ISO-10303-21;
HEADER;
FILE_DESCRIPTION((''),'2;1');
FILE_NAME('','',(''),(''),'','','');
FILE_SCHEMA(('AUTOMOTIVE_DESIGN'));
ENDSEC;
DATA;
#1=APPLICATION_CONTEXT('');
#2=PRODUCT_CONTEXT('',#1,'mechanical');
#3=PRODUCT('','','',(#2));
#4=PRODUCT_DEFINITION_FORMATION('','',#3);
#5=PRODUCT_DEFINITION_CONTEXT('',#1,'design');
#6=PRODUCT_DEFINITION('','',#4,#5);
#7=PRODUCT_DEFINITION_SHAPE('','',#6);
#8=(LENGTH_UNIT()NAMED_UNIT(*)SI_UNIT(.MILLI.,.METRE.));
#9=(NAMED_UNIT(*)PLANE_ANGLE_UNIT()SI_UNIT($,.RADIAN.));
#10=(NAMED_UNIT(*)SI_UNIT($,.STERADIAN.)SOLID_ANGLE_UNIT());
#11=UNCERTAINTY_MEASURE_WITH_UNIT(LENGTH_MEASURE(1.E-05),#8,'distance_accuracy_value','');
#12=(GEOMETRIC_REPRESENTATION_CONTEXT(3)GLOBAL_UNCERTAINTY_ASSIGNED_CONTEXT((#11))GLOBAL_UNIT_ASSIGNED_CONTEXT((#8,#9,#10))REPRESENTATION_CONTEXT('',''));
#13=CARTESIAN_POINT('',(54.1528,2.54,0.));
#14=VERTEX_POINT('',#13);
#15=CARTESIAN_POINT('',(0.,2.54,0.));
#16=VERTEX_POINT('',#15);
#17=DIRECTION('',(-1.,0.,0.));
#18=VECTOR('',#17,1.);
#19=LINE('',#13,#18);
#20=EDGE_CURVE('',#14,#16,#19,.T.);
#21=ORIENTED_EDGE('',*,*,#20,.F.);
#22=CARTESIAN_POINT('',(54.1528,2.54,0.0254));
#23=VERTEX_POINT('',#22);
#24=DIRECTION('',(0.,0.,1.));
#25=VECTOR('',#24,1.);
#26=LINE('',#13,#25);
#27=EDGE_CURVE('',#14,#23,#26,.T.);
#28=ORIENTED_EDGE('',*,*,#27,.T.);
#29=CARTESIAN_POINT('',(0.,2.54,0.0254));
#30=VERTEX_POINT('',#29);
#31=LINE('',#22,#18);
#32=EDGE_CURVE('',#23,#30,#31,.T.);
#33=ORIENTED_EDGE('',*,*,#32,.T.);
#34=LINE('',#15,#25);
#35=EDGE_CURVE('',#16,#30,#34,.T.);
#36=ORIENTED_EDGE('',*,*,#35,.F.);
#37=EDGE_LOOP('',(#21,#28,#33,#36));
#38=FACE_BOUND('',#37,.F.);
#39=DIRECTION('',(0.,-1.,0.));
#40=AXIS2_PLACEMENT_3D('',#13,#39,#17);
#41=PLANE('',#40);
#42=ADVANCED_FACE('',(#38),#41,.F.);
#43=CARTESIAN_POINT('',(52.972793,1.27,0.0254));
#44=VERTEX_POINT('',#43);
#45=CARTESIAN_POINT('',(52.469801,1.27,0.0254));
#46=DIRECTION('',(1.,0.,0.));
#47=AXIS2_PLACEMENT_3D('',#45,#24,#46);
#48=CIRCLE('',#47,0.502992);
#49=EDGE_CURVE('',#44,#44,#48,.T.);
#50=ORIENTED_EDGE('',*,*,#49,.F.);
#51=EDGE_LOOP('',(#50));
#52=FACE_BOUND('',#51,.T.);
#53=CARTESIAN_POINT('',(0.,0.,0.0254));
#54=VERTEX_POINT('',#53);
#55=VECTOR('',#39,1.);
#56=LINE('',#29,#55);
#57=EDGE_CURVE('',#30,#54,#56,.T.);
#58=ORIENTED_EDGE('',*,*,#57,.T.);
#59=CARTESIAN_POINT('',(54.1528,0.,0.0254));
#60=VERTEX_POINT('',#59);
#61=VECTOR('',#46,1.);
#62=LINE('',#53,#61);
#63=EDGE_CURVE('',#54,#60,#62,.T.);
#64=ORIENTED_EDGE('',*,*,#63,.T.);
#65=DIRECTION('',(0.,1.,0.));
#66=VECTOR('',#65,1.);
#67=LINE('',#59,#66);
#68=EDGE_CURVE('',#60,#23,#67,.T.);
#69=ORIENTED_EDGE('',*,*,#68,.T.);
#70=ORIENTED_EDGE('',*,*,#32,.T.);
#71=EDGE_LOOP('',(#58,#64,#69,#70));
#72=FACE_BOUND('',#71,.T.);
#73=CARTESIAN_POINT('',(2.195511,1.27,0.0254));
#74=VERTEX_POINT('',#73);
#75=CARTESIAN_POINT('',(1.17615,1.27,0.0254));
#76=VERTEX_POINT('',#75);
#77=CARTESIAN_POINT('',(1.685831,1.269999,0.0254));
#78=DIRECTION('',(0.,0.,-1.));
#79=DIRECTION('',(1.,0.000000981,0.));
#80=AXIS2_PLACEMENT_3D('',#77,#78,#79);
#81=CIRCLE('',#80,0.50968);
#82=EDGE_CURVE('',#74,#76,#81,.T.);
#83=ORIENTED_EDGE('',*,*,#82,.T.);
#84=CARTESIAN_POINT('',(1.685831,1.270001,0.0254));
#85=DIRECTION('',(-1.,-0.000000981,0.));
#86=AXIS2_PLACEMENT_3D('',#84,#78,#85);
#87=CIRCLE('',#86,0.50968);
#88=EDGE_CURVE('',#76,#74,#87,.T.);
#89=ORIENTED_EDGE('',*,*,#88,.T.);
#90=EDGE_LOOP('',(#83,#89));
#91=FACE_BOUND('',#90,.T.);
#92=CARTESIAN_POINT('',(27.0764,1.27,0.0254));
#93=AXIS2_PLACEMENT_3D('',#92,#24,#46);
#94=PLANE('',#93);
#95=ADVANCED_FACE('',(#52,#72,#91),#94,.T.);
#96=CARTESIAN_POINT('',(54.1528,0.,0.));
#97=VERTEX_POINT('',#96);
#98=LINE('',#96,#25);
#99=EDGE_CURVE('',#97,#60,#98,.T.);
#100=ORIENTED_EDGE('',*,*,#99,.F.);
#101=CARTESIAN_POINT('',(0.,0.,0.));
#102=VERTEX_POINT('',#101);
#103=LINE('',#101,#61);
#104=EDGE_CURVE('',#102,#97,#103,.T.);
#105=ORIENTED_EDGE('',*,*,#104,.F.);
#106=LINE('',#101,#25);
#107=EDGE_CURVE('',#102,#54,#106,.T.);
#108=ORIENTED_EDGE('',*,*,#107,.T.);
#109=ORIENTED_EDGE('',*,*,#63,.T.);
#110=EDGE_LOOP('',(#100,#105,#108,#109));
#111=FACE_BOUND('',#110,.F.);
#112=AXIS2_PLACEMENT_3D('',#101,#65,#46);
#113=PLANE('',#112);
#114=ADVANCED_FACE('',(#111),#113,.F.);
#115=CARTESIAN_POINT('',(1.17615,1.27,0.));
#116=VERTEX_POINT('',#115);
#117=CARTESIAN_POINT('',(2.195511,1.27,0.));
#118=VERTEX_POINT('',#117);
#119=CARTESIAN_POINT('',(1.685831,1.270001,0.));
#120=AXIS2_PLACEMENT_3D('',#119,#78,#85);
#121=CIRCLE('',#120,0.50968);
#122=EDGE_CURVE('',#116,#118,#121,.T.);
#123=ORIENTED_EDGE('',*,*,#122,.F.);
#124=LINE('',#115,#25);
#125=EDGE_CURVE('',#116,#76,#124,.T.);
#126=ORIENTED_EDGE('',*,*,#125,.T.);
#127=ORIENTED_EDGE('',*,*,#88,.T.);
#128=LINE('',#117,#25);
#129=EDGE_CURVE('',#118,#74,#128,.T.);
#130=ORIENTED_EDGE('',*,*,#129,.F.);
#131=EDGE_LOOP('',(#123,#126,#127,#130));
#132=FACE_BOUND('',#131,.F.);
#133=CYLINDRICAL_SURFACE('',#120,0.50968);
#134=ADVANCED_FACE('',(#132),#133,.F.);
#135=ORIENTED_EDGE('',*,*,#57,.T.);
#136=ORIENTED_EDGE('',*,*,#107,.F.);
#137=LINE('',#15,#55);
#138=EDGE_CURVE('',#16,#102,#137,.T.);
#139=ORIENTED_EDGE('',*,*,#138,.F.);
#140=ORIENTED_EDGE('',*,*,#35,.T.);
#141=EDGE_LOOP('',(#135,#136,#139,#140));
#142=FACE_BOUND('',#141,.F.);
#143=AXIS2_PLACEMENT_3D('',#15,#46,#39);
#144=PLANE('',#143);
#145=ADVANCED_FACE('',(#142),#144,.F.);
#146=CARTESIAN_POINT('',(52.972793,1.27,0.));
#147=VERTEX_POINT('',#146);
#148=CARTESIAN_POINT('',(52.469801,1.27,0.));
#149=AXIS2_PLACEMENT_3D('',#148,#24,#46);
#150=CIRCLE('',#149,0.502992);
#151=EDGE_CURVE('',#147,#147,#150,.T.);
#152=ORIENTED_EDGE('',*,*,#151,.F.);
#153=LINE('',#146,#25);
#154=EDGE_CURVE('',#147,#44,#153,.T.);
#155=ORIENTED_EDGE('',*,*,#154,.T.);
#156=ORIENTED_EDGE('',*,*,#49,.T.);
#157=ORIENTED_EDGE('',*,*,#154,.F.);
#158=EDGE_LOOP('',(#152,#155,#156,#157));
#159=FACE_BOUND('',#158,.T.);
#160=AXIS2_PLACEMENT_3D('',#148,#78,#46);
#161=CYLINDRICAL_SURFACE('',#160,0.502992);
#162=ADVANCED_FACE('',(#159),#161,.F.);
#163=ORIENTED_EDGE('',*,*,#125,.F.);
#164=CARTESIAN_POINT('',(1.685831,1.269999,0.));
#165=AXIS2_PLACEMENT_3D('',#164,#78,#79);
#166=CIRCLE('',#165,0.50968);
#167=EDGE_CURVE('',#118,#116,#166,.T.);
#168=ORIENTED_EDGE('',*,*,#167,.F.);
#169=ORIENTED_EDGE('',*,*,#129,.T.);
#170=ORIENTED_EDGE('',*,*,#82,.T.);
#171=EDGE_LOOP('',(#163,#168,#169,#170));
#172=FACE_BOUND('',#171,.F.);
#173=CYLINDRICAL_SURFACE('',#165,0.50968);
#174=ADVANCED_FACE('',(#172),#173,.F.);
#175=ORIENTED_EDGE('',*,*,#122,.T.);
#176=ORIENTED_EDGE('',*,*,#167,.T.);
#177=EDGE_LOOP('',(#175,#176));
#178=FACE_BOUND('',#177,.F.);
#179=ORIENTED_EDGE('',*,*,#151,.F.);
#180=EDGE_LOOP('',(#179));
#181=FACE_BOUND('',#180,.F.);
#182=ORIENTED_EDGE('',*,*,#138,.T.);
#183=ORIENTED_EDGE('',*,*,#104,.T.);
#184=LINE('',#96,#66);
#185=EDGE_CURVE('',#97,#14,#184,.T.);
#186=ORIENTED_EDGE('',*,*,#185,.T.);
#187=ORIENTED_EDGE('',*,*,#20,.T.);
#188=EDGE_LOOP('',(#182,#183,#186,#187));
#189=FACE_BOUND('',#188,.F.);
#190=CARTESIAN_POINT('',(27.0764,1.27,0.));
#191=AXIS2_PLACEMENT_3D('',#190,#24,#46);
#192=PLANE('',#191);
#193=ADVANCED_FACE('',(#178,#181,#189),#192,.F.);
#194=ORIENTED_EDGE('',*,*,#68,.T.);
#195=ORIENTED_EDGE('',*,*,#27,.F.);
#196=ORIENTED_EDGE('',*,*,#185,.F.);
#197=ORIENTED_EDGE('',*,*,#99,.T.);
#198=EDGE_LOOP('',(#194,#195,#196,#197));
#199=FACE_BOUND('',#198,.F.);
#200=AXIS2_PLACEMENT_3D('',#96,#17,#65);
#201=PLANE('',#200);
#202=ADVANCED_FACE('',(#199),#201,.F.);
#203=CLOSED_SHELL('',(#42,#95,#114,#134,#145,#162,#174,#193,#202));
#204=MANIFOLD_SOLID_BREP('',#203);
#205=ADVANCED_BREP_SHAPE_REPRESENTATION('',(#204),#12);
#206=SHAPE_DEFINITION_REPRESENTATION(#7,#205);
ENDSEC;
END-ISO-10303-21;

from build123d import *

# Parameters (mm, degrees)
F0_R     = 0.502992
F1_DEPTH = 0.0254


with BuildPart() as f1:
    # F0 (on Top) → F1 (new body)
    with BuildSketch(Plane.XY):
        Polygon((0, 1.27), (0, 0), (54.1528, 0), (54.1528, 1.27), (54.1528, 2.54), (0, 2.54), align=None)
        with BuildLine():
            ThreePointArc((2.195511, 1.27), (1.68583, 0.760319), (1.17615, 1.27))
            ThreePointArc((1.17615, 1.27), (1.68583, 1.779681), (2.195511, 1.27))
        make_face(mode=Mode.SUBTRACT)
        with Locations((52.469801, 1.27)):
            Circle(F0_R, mode=Mode.SUBTRACT)
    extrude(amount=F1_DEPTH)


solid = f1.part
